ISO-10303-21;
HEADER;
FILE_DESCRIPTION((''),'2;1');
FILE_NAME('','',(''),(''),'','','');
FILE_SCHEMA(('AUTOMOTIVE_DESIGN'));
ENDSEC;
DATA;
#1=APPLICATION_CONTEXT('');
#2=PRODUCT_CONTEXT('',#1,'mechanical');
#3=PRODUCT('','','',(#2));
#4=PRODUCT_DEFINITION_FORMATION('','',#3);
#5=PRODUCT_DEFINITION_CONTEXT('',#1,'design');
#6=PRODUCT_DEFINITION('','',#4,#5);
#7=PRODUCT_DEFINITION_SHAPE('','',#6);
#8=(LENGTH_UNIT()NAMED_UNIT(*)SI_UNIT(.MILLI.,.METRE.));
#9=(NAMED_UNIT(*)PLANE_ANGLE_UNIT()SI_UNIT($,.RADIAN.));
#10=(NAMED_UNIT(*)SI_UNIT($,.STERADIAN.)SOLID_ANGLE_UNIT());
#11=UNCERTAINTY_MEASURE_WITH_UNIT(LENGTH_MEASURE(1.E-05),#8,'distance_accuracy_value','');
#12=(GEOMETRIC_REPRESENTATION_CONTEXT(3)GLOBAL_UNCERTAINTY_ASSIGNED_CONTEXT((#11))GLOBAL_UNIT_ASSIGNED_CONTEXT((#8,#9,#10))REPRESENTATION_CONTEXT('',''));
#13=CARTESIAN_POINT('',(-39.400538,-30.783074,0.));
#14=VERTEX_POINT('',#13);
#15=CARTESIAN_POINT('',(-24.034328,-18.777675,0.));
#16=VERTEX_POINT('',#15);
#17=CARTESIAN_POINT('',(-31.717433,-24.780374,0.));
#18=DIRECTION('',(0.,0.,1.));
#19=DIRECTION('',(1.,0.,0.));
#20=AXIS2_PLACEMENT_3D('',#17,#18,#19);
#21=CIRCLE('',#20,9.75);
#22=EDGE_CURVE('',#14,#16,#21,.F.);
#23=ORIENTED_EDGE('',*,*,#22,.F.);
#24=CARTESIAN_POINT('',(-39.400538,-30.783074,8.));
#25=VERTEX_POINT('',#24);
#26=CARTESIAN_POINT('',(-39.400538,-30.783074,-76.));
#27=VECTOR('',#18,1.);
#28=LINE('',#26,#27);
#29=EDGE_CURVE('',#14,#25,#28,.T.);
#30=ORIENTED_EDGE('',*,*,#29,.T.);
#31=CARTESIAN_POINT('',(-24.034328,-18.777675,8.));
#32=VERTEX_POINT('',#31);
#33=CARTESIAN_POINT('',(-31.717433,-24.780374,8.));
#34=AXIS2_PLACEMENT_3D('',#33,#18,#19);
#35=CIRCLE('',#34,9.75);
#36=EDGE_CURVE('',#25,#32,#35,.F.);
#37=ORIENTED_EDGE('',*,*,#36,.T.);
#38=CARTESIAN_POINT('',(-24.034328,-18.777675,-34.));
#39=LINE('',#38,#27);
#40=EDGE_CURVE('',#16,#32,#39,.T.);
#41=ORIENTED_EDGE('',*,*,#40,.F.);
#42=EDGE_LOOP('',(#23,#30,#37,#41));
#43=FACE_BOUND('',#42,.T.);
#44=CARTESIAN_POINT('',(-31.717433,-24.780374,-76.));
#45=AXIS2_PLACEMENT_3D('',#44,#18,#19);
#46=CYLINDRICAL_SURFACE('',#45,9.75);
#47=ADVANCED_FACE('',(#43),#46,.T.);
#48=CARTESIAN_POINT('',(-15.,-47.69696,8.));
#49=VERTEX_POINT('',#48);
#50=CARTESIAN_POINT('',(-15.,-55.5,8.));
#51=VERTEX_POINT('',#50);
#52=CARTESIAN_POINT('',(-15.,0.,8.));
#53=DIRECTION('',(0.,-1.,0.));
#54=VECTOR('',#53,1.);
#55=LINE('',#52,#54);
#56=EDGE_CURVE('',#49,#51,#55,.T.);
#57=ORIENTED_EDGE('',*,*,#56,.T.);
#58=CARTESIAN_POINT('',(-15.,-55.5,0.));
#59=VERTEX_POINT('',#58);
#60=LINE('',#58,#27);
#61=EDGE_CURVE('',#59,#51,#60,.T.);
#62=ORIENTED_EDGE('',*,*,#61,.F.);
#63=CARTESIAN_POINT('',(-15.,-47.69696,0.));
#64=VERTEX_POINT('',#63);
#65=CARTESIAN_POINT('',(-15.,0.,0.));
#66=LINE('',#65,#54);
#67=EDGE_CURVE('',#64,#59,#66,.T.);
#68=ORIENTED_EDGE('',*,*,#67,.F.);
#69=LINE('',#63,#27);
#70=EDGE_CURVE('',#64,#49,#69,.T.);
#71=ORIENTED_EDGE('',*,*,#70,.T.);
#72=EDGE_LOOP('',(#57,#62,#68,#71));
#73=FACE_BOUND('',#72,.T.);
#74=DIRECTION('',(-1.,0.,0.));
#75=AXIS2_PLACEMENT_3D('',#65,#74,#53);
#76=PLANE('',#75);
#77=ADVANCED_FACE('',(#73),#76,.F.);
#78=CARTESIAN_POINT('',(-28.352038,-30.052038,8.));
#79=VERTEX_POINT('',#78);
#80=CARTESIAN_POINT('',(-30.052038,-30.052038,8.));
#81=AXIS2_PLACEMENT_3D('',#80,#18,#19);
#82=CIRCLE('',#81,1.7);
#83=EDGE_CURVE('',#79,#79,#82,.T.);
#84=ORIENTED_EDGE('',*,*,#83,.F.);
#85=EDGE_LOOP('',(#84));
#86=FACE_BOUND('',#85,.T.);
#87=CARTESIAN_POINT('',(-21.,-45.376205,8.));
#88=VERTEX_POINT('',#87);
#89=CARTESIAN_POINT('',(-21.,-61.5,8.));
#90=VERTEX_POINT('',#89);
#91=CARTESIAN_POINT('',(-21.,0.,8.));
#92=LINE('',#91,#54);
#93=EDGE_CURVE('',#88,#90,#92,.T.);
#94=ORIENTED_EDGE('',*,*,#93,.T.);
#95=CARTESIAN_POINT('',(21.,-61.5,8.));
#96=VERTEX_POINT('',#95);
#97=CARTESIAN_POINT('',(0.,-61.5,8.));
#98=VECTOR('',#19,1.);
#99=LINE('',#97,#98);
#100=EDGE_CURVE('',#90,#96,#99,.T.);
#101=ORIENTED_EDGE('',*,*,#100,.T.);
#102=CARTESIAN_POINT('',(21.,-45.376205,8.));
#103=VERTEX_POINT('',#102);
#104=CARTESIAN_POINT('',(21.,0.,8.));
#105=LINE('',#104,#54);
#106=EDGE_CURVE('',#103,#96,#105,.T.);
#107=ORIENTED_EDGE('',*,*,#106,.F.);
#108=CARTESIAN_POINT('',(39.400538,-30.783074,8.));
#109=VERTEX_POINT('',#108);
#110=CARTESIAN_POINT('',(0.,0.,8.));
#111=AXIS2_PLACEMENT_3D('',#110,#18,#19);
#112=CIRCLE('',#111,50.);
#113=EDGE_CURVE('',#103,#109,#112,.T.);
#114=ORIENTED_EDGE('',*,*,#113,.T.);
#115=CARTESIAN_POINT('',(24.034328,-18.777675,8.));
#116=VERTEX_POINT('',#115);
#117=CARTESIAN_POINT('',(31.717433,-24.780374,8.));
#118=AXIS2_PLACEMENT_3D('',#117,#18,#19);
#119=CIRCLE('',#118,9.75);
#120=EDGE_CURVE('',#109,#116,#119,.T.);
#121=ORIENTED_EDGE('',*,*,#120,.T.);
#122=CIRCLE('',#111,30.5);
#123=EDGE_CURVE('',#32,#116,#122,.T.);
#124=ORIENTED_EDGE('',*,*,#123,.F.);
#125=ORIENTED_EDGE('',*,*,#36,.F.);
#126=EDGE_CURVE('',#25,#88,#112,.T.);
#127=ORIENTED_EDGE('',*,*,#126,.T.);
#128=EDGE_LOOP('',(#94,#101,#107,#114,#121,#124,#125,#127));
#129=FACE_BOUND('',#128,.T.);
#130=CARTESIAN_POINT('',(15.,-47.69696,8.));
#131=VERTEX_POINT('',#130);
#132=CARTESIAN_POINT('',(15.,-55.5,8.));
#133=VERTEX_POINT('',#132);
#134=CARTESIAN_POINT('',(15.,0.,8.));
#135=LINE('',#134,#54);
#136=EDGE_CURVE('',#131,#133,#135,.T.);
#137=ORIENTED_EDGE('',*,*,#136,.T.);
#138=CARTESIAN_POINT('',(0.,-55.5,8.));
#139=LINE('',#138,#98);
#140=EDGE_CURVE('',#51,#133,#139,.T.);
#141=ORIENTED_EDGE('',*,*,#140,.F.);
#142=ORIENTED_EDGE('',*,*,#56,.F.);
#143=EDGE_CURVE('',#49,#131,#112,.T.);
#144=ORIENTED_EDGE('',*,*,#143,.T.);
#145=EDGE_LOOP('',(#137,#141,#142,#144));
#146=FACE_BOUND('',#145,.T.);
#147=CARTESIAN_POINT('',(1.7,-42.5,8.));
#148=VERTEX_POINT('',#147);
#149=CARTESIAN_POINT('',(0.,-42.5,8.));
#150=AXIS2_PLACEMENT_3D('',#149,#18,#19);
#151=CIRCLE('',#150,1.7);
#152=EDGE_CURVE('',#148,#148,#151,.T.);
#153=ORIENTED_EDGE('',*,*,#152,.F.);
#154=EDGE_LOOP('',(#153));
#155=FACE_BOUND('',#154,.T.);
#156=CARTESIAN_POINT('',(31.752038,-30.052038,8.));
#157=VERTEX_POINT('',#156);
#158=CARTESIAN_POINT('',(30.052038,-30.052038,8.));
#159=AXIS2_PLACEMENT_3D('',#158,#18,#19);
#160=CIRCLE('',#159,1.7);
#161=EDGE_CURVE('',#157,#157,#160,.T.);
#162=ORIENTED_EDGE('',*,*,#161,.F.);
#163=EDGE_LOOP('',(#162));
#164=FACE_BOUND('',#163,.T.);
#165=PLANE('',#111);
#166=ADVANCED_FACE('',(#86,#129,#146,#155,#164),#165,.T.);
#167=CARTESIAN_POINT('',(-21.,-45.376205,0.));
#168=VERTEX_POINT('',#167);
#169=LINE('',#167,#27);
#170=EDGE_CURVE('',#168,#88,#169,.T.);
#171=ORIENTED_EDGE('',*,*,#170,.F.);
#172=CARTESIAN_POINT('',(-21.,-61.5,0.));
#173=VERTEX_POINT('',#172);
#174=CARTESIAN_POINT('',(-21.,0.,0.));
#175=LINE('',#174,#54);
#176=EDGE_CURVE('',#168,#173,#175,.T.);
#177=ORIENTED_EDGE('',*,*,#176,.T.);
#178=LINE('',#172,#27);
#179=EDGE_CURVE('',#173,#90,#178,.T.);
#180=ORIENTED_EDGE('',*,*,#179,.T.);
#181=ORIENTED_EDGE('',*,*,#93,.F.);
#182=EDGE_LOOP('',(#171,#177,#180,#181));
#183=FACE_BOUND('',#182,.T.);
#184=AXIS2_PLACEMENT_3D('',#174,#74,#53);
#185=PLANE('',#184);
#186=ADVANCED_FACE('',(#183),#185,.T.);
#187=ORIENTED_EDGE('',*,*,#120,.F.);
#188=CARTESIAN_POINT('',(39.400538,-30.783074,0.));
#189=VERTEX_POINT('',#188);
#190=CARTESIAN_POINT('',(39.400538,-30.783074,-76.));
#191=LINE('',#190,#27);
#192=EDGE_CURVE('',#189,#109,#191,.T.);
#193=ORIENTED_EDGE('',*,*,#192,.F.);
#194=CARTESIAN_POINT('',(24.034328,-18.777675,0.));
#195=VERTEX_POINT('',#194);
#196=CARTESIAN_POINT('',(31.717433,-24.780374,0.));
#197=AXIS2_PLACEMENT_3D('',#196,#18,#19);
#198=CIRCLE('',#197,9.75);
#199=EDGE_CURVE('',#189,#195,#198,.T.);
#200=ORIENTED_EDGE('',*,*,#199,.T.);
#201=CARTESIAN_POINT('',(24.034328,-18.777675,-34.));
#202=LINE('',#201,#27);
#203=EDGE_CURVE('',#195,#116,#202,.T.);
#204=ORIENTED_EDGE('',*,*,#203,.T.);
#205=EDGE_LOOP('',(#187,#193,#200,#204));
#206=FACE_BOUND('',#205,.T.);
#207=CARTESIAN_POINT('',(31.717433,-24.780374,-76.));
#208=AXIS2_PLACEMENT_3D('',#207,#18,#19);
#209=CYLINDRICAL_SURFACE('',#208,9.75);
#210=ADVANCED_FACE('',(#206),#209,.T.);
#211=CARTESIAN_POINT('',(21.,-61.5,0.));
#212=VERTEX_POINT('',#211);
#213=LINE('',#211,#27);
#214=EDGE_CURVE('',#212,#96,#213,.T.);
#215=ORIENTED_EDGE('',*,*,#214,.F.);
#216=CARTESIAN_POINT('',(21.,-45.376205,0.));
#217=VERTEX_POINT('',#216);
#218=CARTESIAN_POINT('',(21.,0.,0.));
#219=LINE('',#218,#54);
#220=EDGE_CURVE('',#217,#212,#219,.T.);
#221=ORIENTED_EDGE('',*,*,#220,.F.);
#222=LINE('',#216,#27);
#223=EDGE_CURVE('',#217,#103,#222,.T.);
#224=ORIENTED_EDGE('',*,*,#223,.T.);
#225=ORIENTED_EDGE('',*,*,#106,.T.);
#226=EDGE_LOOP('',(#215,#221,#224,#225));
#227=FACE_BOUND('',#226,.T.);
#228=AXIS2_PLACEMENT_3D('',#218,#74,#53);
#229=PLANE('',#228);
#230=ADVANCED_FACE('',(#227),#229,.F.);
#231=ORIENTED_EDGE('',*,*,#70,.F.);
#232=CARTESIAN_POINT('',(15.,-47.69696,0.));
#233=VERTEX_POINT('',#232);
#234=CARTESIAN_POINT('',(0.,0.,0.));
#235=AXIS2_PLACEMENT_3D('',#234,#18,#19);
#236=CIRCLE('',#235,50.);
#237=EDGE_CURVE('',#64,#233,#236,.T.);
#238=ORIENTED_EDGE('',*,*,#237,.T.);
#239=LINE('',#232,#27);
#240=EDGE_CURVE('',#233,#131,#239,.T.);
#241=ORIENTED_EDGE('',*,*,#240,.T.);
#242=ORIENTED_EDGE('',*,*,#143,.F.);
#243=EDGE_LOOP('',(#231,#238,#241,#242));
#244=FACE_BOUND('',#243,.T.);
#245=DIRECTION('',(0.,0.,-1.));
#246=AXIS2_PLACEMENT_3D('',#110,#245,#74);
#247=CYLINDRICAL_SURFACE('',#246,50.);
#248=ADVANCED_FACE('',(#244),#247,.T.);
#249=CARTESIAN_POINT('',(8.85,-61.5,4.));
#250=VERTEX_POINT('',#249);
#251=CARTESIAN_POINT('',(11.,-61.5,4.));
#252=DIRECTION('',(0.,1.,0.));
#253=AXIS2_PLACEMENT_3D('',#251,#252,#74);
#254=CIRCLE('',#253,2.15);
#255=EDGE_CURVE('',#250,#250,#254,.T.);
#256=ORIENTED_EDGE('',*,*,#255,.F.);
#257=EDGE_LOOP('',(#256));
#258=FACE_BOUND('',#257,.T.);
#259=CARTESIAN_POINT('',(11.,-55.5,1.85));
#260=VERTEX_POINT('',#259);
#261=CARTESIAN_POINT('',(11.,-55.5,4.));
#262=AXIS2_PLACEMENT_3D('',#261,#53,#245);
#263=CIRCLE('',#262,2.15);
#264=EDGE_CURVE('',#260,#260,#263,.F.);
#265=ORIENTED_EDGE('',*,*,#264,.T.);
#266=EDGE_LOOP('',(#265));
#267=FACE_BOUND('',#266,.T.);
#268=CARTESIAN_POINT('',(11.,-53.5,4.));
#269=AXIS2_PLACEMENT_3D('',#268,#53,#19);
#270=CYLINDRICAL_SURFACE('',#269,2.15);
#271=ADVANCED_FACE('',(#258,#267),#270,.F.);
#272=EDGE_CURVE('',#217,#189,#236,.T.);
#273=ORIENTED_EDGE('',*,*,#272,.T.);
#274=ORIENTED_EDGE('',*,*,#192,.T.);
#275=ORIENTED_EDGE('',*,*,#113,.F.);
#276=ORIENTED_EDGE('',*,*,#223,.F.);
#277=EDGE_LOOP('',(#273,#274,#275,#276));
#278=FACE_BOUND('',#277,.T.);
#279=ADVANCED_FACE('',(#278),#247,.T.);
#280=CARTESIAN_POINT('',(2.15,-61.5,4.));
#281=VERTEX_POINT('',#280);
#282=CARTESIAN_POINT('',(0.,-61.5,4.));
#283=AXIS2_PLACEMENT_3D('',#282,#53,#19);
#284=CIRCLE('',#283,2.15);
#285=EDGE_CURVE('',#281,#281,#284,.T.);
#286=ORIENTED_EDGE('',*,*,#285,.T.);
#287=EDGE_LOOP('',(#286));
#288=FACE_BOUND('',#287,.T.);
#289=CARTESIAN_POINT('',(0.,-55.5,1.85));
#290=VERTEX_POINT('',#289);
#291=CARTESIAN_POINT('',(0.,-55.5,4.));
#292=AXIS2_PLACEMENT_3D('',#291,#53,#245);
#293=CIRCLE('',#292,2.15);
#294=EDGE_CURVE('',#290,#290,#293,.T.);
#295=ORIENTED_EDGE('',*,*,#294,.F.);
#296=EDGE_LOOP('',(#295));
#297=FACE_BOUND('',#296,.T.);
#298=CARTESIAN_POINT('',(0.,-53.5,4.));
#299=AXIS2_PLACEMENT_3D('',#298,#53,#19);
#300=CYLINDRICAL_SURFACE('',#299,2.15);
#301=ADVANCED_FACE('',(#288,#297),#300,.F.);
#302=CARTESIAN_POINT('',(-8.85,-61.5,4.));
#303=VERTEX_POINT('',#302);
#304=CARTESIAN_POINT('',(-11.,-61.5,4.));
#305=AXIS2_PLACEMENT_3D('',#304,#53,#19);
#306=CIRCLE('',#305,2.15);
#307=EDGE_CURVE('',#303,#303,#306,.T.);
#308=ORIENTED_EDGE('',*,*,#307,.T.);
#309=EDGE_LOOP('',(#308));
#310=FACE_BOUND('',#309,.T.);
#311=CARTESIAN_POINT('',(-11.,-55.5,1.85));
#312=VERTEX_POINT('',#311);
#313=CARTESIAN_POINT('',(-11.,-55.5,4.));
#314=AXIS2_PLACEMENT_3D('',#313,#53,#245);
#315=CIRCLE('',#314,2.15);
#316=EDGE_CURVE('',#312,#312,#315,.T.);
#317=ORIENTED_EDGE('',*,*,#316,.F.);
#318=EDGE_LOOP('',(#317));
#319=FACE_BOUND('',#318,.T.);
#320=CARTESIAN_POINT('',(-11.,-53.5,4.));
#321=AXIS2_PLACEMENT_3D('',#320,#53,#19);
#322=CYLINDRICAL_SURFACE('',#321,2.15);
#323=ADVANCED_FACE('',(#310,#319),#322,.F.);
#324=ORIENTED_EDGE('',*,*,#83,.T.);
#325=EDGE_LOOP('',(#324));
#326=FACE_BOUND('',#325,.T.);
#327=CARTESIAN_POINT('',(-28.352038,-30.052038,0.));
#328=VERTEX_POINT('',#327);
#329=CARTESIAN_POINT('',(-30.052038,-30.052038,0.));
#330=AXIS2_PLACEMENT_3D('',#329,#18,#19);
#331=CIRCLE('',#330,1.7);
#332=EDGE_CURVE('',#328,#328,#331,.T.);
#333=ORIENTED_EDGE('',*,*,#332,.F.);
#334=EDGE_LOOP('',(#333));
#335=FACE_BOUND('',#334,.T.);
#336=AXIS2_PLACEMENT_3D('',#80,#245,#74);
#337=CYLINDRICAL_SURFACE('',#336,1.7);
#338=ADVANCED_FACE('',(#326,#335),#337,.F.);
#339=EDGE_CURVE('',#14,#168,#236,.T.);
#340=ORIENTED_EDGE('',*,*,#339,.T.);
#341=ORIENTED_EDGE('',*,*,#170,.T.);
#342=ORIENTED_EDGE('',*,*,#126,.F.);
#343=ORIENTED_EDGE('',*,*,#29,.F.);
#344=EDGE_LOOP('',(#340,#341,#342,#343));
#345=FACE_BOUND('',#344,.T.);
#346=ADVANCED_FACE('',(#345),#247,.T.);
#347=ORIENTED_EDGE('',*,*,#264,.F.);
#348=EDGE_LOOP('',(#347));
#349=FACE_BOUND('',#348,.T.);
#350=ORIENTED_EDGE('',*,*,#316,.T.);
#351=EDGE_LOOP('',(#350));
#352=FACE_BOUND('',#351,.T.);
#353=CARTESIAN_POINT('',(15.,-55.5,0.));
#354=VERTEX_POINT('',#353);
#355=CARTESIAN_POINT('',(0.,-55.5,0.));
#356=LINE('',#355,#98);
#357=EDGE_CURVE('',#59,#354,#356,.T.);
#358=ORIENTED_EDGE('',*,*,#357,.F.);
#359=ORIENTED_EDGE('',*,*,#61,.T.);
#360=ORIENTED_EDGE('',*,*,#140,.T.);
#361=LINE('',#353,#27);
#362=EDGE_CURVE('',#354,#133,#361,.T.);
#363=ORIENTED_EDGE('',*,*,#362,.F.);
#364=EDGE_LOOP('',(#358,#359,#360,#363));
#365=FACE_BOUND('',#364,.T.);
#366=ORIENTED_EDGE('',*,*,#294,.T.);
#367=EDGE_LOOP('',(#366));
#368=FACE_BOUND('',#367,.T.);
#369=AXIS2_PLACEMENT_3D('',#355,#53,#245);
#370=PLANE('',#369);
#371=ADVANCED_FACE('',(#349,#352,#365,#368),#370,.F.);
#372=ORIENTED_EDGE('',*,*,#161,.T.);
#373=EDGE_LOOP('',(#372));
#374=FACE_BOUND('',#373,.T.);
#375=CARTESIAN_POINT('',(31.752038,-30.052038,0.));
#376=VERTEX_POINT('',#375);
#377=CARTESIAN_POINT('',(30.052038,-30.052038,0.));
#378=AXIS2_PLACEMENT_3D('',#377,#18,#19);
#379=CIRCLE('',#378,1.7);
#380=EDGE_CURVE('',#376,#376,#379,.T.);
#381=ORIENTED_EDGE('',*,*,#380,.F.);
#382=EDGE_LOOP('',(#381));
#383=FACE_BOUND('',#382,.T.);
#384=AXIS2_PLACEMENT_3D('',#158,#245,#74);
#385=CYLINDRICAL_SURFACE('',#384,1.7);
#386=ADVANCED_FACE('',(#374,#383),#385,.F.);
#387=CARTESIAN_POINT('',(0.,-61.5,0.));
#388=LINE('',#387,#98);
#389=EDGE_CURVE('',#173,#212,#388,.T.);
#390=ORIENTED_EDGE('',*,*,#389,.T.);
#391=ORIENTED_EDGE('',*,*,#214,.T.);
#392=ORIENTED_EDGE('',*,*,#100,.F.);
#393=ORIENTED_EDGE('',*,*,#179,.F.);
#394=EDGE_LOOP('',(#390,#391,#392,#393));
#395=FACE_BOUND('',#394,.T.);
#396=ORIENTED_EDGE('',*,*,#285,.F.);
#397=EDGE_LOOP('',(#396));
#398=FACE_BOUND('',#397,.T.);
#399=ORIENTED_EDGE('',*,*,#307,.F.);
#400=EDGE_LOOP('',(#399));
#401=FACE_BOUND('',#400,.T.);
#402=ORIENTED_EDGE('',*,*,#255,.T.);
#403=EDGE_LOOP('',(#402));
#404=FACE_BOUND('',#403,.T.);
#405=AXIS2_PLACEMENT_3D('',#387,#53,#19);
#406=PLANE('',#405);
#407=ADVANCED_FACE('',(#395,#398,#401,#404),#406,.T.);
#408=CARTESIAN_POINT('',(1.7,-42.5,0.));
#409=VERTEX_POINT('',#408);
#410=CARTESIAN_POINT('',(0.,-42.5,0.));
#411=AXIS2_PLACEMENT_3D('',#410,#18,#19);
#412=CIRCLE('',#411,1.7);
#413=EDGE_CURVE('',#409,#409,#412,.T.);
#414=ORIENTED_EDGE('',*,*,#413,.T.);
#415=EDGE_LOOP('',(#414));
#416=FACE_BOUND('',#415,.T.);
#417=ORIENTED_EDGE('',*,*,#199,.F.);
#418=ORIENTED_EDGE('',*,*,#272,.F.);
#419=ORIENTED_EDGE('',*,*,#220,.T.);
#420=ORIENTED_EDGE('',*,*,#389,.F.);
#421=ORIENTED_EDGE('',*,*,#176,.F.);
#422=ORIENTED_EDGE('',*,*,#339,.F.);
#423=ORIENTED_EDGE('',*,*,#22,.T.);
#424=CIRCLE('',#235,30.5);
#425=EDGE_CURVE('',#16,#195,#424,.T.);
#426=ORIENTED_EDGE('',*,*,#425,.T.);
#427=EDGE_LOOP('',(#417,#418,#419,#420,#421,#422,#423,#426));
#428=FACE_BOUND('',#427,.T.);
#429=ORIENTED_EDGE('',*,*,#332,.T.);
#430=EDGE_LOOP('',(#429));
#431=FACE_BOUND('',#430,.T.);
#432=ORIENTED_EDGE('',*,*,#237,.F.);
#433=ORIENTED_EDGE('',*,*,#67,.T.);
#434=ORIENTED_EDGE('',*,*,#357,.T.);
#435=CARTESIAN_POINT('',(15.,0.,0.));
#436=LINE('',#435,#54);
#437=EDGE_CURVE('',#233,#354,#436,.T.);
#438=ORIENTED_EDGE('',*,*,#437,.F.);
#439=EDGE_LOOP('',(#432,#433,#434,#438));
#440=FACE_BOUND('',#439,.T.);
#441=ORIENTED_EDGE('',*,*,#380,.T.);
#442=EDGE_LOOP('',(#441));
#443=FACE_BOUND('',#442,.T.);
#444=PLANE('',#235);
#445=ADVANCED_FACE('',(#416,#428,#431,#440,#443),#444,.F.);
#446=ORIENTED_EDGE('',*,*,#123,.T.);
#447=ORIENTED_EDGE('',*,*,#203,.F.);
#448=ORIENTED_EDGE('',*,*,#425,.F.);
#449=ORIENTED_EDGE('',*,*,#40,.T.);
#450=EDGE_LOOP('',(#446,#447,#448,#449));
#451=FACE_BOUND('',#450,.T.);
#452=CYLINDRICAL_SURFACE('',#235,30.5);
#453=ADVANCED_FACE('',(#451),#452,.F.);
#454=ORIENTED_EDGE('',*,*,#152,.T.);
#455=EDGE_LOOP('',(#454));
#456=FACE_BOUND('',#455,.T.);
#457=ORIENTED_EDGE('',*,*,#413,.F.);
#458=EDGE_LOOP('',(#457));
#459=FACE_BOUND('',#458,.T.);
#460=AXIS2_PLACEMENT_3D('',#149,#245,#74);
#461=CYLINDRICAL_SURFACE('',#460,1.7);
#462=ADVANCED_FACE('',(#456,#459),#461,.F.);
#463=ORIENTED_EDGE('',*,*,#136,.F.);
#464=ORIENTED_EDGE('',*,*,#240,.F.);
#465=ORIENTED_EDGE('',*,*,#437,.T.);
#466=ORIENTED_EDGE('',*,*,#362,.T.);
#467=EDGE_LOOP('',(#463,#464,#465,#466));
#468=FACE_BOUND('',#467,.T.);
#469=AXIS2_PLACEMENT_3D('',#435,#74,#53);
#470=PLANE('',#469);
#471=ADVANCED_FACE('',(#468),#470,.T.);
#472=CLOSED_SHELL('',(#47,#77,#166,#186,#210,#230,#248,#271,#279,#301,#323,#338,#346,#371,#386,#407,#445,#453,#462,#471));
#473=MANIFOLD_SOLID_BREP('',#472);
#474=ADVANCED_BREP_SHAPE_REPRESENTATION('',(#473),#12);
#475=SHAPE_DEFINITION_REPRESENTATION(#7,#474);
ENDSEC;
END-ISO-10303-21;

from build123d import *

# Parameters (mm, degrees)
SKETCH_1_R          = 50
SKETCH_1_R_2        = 1.7
EXTRUDE_1_DEPTH     = 8
SKETCH_2_R          = 30.5
CUT_EXTRUDE_1_DEPTH = 8
CUT_EXTRUDE_6_DEPTH = 84
EXTRUDE_START       = -8
EXTRUDE_5_DEPTH     = 8
SKETCH_10_R         = 2.15
CUT_EXTRUDE_7_DEPTH = 8


with BuildPart() as part:
    # 草图1 → 凸台-拉伸1 (new body)
    with BuildSketch(Plane.XY):
        Circle(SKETCH_1_R)
        with Locations((0, 42.5)):
            Circle(SKETCH_1_R_2, mode=Mode.SUBTRACT)
        with Locations((30.0520382, 30.0520382)):
            Circle(SKETCH_1_R_2, mode=Mode.SUBTRACT)
        with Locations((42.5, 0)):
            Circle(SKETCH_1_R_2, mode=Mode.SUBTRACT)
        with Locations((30.0520382, -30.0520382)):
            Circle(SKETCH_1_R_2, mode=Mode.SUBTRACT)
        with Locations((0, -42.5)):
            Circle(SKETCH_1_R_2, mode=Mode.SUBTRACT)
        with Locations((-30.0520382, -30.0520382)):
            Circle(SKETCH_1_R_2, mode=Mode.SUBTRACT)
        with Locations((-42.5, 0)):
            Circle(SKETCH_1_R_2, mode=Mode.SUBTRACT)
        with Locations((-30.0520382, 30.0520382)):
            Circle(SKETCH_1_R_2, mode=Mode.SUBTRACT)
    extrude(amount=EXTRUDE_1_DEPTH)

    # 草图2 → 切除-拉伸1 (cut)
    with BuildSketch(Plane.XY.offset(8)):
        Circle(SKETCH_2_R)
    extrude(amount=-CUT_EXTRUDE_1_DEPTH, mode=Mode.SUBTRACT)

    # 草图3 → 切除-拉伸6 (cut)
    with BuildSketch(Plane.XY.offset(8)):
        with BuildLine():
            ThreePointArc((-39.400537164, -30.783074428), (-37.720132642, -17.097269866), (-24.034328132, -18.77767481))
            ThreePointArc((-24.034328132, -18.77767481), (9.7e-08, 30.5), (24.034328012, -18.777674963))
            ThreePointArc((24.034328012, -18.777674963), (37.720132595, -17.097269829), (39.400537117, -30.783074488))
            ThreePointArc((39.400537117, -30.783074488), (3.8e-08, 50), (-39.400537164, -30.783074428))
        make_face()
    extrude(amount=-CUT_EXTRUDE_6_DEPTH, mode=Mode.SUBTRACT)

    # 草图8 → 凸台-拉伸5 (add)
    with BuildSketch(Plane.XY.offset(8).offset(EXTRUDE_START)):
        with BuildLine():
            ThreePointArc((-15, -47.696960071), (-18.037363326, -46.633180507), (-21, -45.376205218))
            Line((-21, -45.376205218), (-21, -61.5))
            Line((-21, -61.5), (21, -61.5))
            Line((21, -61.5), (21, -45.376205218))
            ThreePointArc((21, -45.376205218), (18.037363326, -46.633180507), (15, -47.696960071))
            Line((15, -47.696960071), (15, -55.5))
            Line((15, -55.5), (-15, -55.5))
            Line((-15, -55.5), (-15, -47.696960071))
        make_face()
    extrude(amount=EXTRUDE_5_DEPTH)

    # 草图10 → 切除-拉伸7 (cut)
    with BuildSketch(Plane.XZ.offset(61.5)):
        with Locations((-11, 4)):
            Circle(SKETCH_10_R)
        with Locations((0, 4)):
            Circle(SKETCH_10_R)
        with Locations(Location((11, 4, 0), (0, 0, 270))):
            Circle(SKETCH_10_R)
    extrude(amount=-CUT_EXTRUDE_7_DEPTH, mode=Mode.SUBTRACT)


solid = part.part
